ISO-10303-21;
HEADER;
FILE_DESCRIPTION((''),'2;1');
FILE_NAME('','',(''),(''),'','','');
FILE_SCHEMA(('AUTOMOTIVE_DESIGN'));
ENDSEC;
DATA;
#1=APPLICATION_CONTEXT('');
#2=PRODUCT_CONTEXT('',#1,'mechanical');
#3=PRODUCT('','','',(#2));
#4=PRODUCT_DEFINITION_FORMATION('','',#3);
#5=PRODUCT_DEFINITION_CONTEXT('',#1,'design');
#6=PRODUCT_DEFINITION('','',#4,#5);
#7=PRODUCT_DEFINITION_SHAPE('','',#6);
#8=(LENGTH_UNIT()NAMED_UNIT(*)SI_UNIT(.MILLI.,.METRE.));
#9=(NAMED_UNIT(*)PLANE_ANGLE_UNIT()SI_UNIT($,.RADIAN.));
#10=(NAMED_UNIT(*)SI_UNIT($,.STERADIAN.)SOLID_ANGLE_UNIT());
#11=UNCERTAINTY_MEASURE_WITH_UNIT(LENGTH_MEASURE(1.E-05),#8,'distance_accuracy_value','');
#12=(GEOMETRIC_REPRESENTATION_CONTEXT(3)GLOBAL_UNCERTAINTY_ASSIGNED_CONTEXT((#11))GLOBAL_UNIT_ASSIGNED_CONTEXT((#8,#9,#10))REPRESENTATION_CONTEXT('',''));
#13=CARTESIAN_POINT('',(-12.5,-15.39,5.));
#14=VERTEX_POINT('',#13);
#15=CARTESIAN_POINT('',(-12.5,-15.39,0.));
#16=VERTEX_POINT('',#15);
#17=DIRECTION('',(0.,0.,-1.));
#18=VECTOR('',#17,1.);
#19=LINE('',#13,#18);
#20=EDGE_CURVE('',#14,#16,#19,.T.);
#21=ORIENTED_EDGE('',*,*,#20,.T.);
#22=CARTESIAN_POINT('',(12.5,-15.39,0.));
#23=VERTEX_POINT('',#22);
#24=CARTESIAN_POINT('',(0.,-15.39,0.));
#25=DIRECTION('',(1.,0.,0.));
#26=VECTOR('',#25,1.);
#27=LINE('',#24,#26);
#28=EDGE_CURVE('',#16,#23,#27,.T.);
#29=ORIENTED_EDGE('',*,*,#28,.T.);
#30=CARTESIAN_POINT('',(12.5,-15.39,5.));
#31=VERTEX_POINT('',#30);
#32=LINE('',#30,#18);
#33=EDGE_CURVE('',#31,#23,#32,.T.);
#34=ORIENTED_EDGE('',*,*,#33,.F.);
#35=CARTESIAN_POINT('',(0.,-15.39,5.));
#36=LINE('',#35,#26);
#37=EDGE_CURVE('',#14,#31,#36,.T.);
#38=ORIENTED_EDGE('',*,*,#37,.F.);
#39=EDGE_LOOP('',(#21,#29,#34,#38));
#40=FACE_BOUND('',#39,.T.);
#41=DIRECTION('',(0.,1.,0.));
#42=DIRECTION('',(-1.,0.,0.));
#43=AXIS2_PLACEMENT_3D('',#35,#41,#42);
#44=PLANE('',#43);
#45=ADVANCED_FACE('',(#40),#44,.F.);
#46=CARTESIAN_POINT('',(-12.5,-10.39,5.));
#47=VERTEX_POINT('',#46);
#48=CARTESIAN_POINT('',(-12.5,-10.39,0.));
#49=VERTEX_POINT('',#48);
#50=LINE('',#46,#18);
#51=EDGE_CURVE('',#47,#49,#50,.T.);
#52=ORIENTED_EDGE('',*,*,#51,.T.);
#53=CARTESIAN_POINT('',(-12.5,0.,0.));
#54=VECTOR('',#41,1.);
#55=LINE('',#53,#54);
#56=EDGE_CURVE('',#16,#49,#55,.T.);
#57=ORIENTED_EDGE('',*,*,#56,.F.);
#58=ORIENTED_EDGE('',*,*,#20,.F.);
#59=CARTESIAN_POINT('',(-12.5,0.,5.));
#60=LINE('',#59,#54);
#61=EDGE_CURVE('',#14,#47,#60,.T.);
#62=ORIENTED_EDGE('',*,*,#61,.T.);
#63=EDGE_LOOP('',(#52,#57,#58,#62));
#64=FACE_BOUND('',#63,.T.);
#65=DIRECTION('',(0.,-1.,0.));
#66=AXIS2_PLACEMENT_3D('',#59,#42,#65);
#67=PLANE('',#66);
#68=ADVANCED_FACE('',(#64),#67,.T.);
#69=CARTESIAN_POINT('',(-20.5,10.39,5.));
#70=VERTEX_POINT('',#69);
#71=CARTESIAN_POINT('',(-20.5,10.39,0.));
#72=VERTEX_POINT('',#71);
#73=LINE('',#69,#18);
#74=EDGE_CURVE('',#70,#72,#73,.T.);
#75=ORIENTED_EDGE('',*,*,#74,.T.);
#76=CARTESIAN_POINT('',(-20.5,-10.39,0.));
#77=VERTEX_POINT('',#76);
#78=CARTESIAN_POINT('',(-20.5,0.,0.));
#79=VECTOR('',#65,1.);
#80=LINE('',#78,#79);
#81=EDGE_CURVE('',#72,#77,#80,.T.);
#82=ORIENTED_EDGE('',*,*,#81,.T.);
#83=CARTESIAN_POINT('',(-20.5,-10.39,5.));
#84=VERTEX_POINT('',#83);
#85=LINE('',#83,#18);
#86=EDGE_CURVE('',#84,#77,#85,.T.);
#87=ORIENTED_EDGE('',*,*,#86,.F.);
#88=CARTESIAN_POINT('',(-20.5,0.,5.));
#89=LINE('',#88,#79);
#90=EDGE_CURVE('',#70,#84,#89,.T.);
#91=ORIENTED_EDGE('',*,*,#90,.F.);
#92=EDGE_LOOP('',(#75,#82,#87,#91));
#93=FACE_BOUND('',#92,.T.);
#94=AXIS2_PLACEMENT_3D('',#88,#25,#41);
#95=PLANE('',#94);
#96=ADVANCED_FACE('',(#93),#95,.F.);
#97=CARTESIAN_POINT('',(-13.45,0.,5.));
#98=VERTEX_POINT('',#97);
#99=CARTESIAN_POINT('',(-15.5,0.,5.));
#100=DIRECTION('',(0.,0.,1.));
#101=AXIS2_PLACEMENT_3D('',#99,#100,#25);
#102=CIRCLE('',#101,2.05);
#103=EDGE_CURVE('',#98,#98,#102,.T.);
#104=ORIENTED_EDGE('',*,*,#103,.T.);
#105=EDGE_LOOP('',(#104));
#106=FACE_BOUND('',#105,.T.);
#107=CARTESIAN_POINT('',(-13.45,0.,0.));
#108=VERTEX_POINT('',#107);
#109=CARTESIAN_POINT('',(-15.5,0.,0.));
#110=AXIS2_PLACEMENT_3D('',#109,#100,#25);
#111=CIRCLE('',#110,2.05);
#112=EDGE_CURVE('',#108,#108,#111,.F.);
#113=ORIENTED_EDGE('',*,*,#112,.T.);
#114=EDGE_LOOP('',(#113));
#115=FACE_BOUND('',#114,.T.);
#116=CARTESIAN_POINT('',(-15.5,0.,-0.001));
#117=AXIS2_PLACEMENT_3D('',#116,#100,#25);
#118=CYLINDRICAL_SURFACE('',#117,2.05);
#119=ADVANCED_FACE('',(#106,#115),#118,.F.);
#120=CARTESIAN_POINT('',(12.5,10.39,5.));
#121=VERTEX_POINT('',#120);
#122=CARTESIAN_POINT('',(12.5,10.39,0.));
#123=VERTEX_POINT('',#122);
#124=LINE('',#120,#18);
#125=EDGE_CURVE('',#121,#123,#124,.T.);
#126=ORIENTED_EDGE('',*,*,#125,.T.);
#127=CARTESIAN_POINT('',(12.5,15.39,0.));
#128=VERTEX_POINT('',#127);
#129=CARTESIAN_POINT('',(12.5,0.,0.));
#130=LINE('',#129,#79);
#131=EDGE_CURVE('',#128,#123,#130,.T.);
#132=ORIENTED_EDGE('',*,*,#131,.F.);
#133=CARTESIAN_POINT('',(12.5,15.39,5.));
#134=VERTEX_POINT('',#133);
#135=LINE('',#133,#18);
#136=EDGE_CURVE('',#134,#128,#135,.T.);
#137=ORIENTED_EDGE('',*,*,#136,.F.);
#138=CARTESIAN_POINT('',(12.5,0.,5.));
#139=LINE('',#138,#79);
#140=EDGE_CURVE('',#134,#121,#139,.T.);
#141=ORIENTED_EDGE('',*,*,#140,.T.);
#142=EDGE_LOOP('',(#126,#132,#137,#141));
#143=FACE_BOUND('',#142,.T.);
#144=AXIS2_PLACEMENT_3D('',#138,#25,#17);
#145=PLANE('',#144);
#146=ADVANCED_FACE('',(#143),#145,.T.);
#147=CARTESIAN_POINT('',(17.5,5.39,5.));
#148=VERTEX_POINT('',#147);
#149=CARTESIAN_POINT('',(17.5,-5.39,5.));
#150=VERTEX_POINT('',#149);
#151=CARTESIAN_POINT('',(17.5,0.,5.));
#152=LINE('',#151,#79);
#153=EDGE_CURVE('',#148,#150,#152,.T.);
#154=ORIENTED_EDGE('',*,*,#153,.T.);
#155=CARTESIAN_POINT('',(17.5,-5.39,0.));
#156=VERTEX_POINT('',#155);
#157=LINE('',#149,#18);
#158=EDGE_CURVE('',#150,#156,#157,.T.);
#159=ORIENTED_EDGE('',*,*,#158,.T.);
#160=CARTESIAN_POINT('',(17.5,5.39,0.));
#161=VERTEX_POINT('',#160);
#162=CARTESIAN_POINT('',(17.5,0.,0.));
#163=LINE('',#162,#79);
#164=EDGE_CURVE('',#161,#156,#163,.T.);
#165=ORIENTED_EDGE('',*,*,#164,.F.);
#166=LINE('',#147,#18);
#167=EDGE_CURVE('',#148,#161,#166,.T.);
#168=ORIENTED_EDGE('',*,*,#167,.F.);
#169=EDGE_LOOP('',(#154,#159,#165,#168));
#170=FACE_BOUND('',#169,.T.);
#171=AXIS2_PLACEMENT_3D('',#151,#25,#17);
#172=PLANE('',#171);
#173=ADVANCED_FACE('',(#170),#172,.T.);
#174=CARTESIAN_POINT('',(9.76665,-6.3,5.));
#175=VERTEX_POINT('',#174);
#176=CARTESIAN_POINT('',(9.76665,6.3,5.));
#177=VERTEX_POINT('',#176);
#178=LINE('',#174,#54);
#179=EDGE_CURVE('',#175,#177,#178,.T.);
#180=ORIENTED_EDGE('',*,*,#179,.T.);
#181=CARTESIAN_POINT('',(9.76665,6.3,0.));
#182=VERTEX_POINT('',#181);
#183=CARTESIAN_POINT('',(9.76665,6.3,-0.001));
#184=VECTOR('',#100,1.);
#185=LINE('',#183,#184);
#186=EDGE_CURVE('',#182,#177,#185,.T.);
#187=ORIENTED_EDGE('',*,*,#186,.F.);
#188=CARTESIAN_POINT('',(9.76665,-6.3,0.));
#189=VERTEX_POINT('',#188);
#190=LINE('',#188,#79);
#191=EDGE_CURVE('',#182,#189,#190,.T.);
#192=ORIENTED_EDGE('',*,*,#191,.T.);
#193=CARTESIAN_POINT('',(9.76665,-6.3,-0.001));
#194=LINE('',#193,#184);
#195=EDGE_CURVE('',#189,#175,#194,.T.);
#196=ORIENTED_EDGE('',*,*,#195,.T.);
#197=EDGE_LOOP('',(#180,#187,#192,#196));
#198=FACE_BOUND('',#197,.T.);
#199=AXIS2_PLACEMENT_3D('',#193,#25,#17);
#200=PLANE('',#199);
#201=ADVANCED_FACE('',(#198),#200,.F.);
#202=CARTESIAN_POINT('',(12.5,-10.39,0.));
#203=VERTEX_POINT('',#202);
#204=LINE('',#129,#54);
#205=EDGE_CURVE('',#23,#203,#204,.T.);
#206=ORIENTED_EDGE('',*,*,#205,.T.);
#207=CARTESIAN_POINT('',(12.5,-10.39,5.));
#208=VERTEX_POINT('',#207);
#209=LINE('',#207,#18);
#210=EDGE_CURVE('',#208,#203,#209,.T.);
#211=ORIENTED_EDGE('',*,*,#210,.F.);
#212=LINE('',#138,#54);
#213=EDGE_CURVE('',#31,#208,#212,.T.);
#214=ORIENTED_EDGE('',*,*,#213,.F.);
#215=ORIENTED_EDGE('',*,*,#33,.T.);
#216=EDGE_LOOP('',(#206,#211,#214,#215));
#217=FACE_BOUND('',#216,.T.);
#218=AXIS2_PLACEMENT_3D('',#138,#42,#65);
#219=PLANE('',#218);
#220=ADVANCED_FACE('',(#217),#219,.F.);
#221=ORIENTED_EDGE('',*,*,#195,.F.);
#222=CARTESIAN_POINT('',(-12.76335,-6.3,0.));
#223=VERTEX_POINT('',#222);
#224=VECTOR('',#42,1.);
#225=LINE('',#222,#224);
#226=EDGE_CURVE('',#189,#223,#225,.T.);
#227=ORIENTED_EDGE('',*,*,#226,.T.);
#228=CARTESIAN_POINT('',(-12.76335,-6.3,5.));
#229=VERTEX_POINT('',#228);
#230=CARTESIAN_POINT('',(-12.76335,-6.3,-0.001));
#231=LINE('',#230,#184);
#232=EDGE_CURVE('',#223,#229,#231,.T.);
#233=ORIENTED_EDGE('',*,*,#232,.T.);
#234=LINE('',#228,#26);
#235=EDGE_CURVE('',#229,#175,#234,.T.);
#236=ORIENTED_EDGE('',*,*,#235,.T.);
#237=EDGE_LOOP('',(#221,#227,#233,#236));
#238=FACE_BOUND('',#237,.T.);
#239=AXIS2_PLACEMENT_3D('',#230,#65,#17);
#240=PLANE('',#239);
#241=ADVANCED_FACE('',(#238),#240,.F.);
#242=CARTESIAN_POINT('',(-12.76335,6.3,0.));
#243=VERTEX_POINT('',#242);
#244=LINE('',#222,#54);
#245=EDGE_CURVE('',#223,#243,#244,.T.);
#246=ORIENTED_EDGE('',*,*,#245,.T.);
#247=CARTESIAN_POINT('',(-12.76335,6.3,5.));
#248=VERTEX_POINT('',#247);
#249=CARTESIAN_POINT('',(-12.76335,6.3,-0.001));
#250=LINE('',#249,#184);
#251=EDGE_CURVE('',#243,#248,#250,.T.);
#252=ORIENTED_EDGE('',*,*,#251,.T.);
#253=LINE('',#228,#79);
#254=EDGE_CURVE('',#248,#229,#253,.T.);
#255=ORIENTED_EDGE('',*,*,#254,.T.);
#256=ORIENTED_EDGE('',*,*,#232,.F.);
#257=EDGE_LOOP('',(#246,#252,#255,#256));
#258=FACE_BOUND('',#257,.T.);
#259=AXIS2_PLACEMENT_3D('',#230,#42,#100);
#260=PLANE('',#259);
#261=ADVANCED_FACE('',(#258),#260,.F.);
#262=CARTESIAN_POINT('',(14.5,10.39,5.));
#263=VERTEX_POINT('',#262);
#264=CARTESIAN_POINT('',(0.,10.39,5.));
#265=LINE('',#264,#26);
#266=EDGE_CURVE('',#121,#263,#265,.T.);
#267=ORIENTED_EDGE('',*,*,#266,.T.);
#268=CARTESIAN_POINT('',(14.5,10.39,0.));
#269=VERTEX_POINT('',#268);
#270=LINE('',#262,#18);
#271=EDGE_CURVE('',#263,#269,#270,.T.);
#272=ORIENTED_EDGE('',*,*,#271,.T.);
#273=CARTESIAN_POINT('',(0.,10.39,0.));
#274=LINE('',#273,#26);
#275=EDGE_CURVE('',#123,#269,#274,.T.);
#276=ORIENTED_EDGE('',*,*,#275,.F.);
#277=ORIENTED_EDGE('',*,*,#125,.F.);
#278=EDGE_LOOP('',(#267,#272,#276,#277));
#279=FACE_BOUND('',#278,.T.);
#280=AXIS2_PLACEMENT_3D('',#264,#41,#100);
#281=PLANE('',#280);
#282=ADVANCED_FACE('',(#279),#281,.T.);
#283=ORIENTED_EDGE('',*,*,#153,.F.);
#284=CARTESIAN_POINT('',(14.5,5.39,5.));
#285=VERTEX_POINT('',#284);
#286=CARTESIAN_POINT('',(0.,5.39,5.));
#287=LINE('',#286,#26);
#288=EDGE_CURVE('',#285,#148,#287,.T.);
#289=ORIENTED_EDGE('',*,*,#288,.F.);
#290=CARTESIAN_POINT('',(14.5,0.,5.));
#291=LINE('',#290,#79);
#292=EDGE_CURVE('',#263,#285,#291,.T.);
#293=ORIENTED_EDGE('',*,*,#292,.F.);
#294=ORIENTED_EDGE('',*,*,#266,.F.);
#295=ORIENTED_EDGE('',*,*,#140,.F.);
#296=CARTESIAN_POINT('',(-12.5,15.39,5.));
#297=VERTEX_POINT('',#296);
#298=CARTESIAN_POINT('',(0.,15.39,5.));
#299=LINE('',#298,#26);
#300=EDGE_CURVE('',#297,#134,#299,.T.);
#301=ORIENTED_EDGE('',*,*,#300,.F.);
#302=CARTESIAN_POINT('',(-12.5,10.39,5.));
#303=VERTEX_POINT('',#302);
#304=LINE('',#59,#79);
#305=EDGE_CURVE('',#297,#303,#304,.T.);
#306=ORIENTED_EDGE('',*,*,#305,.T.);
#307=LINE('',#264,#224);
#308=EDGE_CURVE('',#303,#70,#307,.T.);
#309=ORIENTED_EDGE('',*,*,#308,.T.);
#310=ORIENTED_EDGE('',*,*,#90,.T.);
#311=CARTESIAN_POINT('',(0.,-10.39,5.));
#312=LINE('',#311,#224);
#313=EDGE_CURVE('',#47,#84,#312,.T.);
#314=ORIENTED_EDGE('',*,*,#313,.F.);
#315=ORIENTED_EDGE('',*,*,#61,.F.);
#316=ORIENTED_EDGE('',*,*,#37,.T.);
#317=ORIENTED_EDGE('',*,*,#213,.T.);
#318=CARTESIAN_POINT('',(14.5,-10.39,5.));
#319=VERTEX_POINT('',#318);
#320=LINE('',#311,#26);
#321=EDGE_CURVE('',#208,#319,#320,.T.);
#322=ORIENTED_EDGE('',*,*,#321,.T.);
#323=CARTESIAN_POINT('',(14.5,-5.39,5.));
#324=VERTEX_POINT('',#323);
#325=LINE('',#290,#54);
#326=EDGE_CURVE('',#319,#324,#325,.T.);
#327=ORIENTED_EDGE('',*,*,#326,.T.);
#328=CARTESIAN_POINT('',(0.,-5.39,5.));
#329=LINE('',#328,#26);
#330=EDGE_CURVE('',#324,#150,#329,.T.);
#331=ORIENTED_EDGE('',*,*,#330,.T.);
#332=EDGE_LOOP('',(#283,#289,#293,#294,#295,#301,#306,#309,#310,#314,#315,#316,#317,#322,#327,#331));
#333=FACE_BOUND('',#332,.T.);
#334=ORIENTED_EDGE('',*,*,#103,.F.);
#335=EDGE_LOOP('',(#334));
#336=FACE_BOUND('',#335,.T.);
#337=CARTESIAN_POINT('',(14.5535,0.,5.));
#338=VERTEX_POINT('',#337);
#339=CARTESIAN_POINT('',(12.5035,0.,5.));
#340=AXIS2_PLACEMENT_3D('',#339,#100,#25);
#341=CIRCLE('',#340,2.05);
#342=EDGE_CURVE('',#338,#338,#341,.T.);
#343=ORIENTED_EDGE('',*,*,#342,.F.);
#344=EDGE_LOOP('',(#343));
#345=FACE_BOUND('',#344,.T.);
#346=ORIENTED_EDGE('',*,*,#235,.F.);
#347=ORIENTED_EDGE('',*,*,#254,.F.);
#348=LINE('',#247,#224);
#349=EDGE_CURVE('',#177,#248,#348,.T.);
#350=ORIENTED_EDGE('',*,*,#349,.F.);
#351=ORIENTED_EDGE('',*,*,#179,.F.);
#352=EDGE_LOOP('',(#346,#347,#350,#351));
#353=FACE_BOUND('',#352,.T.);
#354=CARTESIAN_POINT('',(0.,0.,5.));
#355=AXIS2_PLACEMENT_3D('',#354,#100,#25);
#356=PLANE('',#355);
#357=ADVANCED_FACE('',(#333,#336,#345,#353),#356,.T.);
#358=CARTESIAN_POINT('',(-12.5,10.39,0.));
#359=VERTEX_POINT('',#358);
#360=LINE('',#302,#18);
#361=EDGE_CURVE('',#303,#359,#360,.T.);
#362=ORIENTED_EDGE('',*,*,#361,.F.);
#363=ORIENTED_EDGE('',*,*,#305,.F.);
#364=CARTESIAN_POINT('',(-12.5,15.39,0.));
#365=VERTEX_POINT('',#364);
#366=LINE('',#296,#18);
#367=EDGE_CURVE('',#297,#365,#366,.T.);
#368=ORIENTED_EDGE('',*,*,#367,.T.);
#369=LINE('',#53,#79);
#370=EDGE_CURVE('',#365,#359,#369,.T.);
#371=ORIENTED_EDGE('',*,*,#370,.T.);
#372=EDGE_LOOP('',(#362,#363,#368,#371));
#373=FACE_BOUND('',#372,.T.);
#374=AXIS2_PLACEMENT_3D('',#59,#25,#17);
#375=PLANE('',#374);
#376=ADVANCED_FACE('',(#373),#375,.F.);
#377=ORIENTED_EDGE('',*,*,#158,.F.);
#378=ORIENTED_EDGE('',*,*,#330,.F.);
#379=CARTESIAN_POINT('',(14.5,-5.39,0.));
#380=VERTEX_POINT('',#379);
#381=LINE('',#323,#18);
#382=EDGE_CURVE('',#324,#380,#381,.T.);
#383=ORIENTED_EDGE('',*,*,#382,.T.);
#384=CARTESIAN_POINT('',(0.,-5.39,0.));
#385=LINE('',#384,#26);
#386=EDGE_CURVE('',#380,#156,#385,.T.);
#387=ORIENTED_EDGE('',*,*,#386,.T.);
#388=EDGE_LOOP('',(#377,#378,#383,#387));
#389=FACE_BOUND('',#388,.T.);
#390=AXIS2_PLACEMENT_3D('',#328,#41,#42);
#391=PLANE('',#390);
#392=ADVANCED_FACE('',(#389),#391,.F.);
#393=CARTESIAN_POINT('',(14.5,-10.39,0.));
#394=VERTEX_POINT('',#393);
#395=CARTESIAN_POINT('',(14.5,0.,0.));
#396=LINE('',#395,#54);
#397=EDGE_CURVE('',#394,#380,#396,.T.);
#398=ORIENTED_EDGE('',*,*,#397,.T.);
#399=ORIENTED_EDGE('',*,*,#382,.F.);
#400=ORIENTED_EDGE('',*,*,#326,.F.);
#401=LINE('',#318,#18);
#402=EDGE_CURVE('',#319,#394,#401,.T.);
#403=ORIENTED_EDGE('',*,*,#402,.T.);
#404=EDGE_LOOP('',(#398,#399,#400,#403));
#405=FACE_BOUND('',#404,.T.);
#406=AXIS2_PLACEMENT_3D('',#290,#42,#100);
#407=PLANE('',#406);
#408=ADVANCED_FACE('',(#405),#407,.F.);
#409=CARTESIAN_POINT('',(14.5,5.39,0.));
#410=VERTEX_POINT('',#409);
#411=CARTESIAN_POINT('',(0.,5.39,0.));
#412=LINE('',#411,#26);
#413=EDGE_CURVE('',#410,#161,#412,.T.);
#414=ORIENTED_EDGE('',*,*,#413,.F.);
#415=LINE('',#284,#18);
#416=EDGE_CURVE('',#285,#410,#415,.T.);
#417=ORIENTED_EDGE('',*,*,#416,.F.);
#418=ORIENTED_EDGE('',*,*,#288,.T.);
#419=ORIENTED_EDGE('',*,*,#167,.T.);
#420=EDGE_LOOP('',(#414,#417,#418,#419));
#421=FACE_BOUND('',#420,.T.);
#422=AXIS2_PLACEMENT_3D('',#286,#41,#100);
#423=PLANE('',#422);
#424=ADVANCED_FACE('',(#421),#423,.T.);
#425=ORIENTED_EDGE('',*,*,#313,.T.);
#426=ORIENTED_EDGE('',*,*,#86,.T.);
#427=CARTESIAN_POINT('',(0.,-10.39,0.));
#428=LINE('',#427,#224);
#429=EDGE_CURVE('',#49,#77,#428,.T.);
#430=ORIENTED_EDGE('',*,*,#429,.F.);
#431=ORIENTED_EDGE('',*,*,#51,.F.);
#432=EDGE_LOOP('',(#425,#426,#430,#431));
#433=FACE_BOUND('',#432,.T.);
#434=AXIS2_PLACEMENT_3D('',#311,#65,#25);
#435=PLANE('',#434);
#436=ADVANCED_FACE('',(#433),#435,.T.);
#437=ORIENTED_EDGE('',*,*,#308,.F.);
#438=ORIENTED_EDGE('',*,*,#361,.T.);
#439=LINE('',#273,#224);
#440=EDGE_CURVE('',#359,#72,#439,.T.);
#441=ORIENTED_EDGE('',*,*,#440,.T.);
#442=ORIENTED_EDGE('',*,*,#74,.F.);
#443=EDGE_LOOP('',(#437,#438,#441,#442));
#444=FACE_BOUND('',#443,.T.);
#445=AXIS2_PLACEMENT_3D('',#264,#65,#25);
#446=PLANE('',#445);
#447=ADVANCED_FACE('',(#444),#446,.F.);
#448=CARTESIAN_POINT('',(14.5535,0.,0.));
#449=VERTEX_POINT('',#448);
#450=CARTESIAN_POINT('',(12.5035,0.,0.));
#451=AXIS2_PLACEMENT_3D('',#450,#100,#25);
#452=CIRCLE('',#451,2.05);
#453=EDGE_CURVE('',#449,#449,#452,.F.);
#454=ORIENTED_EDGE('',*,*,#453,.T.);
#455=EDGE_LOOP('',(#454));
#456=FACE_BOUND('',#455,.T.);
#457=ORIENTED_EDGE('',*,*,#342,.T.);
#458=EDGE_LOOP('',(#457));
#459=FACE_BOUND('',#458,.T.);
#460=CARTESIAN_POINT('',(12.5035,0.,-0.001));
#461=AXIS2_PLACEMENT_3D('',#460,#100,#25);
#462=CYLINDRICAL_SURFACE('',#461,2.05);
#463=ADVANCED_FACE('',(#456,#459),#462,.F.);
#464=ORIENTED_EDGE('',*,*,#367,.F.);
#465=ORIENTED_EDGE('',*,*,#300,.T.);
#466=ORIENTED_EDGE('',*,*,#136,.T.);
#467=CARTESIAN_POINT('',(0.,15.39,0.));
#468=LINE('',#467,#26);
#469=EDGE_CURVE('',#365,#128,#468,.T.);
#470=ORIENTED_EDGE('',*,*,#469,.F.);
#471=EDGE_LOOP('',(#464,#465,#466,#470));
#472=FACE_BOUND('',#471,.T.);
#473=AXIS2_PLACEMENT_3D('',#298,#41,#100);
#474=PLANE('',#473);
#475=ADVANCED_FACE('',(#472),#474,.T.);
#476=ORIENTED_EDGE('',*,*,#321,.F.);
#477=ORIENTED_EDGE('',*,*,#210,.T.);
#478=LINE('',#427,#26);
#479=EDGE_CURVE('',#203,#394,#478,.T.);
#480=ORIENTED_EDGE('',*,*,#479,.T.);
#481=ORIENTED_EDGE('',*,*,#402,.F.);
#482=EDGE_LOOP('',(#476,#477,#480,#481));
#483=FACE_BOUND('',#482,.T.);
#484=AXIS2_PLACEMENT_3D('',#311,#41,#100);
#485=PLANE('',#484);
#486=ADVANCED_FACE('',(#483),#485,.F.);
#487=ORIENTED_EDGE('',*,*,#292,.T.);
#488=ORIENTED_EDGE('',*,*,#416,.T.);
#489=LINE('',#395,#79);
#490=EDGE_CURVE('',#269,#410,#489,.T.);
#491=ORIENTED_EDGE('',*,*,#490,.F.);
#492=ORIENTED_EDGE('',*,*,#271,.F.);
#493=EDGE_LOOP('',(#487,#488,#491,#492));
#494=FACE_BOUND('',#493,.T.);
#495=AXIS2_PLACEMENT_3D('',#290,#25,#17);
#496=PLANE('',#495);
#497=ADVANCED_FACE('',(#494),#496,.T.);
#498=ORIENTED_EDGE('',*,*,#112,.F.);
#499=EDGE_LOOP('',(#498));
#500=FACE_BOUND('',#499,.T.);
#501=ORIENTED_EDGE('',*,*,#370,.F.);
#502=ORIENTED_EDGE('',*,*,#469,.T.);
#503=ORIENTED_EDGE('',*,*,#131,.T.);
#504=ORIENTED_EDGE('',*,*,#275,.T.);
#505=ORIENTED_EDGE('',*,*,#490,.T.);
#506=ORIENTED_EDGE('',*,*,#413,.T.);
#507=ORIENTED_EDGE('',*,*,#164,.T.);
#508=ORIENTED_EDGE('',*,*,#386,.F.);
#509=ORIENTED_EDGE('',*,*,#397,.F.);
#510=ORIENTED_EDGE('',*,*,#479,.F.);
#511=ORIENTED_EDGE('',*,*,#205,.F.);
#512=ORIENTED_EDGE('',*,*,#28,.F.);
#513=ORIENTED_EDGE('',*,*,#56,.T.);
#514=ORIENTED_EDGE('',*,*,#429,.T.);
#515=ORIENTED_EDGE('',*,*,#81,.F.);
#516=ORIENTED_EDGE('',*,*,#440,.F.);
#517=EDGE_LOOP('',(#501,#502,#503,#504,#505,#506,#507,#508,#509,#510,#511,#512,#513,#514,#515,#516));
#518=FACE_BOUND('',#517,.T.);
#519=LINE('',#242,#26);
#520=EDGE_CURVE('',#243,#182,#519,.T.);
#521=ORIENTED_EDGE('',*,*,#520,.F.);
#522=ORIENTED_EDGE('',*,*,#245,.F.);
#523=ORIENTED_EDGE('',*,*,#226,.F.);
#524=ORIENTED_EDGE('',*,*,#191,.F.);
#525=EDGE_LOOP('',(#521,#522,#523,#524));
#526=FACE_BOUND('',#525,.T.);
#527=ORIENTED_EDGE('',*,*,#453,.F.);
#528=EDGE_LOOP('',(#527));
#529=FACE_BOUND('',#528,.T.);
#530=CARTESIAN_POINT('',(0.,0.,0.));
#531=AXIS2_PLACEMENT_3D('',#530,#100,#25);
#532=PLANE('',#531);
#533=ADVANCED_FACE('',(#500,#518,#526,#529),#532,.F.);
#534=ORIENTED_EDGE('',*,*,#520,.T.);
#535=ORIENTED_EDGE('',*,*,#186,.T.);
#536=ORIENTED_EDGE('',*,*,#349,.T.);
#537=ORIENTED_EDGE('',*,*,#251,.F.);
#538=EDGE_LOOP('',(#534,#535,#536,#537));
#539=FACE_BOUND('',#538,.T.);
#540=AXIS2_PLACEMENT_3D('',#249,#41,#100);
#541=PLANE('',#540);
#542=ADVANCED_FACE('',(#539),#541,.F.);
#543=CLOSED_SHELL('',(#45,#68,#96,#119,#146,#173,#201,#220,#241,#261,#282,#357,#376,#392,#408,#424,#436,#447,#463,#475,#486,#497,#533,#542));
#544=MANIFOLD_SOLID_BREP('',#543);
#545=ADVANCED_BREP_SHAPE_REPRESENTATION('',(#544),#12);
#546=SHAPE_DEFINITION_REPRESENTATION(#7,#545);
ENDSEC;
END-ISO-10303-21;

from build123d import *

# Parameters (mm, degrees)
SALIENTE_EXTRUIR1_DEPTH = 5
CUT_EXTRUDE1_REACH      = 7
CROQUIS2_R              = 2.05
CROQUIS2_W              = 22.53
CROQUIS2_H              = 12.6


with BuildPart() as part:
    # Croquis1 → Saliente-Extruir1 (new body)
    with BuildSketch(Plane.XY):
        Polygon((-12.5, 15.39), (12.5, 15.39), (12.5, 10.39), (14.5, 10.39), (14.5, 5.39), (17.5, 5.39), (17.5, -5.39), (14.5, -5.39), (14.5, -10.39), (12.5, -10.39), (12.5, -15.39), (-12.5, -15.39), (-12.5, -10.39), (-20.5, -10.39), (-20.5, 10.39), (-12.5, 10.39), align=None)
    extrude(amount=SALIENTE_EXTRUIR1_DEPTH)

    # Croquis2 → Cut-Extrude1 (cut, up to next)
    with BuildSketch(Plane.XY.offset(5), mode=Mode.PRIVATE) as cut_extrude1_sk1:
        with Locations((-15.5, 0)):
            Circle(CROQUIS2_R)
    cut_extrude1_tool1 = extrude(cut_extrude1_sk1.sketch, amount=-CUT_EXTRUDE1_REACH, mode=Mode.PRIVATE) & part.part
    add(cut_extrude1_tool1.solids().sort_by_distance((-15.5, 0, 5))[0], mode=Mode.SUBTRACT)
    # Croquis2 → Cut-Extrude1 (cut, up to next)
    with BuildSketch(Plane.XY.offset(5), mode=Mode.PRIVATE) as cut_extrude1_sk2:
        with Locations((12.5035, 0)):
            Circle(CROQUIS2_R)
    cut_extrude1_tool2 = extrude(cut_extrude1_sk2.sketch, amount=-CUT_EXTRUDE1_REACH, mode=Mode.PRIVATE) & part.part
    add(cut_extrude1_tool2.solids().sort_by_distance((12.5035, 0, 5))[0], mode=Mode.SUBTRACT)
    # Croquis2 → Cut-Extrude1 (cut, up to next)
    with BuildSketch(Plane.XY.offset(5), mode=Mode.PRIVATE) as cut_extrude1_sk3:
        with Locations((-1.49835, 0)):
            Rectangle(CROQUIS2_W, CROQUIS2_H)
    cut_extrude1_tool3 = extrude(cut_extrude1_sk3.sketch, amount=-CUT_EXTRUDE1_REACH, mode=Mode.PRIVATE) & part.part
    add(cut_extrude1_tool3.solids().sort_by_distance((-1.49835, 0, 5))[0], mode=Mode.SUBTRACT)


solid = part.part
